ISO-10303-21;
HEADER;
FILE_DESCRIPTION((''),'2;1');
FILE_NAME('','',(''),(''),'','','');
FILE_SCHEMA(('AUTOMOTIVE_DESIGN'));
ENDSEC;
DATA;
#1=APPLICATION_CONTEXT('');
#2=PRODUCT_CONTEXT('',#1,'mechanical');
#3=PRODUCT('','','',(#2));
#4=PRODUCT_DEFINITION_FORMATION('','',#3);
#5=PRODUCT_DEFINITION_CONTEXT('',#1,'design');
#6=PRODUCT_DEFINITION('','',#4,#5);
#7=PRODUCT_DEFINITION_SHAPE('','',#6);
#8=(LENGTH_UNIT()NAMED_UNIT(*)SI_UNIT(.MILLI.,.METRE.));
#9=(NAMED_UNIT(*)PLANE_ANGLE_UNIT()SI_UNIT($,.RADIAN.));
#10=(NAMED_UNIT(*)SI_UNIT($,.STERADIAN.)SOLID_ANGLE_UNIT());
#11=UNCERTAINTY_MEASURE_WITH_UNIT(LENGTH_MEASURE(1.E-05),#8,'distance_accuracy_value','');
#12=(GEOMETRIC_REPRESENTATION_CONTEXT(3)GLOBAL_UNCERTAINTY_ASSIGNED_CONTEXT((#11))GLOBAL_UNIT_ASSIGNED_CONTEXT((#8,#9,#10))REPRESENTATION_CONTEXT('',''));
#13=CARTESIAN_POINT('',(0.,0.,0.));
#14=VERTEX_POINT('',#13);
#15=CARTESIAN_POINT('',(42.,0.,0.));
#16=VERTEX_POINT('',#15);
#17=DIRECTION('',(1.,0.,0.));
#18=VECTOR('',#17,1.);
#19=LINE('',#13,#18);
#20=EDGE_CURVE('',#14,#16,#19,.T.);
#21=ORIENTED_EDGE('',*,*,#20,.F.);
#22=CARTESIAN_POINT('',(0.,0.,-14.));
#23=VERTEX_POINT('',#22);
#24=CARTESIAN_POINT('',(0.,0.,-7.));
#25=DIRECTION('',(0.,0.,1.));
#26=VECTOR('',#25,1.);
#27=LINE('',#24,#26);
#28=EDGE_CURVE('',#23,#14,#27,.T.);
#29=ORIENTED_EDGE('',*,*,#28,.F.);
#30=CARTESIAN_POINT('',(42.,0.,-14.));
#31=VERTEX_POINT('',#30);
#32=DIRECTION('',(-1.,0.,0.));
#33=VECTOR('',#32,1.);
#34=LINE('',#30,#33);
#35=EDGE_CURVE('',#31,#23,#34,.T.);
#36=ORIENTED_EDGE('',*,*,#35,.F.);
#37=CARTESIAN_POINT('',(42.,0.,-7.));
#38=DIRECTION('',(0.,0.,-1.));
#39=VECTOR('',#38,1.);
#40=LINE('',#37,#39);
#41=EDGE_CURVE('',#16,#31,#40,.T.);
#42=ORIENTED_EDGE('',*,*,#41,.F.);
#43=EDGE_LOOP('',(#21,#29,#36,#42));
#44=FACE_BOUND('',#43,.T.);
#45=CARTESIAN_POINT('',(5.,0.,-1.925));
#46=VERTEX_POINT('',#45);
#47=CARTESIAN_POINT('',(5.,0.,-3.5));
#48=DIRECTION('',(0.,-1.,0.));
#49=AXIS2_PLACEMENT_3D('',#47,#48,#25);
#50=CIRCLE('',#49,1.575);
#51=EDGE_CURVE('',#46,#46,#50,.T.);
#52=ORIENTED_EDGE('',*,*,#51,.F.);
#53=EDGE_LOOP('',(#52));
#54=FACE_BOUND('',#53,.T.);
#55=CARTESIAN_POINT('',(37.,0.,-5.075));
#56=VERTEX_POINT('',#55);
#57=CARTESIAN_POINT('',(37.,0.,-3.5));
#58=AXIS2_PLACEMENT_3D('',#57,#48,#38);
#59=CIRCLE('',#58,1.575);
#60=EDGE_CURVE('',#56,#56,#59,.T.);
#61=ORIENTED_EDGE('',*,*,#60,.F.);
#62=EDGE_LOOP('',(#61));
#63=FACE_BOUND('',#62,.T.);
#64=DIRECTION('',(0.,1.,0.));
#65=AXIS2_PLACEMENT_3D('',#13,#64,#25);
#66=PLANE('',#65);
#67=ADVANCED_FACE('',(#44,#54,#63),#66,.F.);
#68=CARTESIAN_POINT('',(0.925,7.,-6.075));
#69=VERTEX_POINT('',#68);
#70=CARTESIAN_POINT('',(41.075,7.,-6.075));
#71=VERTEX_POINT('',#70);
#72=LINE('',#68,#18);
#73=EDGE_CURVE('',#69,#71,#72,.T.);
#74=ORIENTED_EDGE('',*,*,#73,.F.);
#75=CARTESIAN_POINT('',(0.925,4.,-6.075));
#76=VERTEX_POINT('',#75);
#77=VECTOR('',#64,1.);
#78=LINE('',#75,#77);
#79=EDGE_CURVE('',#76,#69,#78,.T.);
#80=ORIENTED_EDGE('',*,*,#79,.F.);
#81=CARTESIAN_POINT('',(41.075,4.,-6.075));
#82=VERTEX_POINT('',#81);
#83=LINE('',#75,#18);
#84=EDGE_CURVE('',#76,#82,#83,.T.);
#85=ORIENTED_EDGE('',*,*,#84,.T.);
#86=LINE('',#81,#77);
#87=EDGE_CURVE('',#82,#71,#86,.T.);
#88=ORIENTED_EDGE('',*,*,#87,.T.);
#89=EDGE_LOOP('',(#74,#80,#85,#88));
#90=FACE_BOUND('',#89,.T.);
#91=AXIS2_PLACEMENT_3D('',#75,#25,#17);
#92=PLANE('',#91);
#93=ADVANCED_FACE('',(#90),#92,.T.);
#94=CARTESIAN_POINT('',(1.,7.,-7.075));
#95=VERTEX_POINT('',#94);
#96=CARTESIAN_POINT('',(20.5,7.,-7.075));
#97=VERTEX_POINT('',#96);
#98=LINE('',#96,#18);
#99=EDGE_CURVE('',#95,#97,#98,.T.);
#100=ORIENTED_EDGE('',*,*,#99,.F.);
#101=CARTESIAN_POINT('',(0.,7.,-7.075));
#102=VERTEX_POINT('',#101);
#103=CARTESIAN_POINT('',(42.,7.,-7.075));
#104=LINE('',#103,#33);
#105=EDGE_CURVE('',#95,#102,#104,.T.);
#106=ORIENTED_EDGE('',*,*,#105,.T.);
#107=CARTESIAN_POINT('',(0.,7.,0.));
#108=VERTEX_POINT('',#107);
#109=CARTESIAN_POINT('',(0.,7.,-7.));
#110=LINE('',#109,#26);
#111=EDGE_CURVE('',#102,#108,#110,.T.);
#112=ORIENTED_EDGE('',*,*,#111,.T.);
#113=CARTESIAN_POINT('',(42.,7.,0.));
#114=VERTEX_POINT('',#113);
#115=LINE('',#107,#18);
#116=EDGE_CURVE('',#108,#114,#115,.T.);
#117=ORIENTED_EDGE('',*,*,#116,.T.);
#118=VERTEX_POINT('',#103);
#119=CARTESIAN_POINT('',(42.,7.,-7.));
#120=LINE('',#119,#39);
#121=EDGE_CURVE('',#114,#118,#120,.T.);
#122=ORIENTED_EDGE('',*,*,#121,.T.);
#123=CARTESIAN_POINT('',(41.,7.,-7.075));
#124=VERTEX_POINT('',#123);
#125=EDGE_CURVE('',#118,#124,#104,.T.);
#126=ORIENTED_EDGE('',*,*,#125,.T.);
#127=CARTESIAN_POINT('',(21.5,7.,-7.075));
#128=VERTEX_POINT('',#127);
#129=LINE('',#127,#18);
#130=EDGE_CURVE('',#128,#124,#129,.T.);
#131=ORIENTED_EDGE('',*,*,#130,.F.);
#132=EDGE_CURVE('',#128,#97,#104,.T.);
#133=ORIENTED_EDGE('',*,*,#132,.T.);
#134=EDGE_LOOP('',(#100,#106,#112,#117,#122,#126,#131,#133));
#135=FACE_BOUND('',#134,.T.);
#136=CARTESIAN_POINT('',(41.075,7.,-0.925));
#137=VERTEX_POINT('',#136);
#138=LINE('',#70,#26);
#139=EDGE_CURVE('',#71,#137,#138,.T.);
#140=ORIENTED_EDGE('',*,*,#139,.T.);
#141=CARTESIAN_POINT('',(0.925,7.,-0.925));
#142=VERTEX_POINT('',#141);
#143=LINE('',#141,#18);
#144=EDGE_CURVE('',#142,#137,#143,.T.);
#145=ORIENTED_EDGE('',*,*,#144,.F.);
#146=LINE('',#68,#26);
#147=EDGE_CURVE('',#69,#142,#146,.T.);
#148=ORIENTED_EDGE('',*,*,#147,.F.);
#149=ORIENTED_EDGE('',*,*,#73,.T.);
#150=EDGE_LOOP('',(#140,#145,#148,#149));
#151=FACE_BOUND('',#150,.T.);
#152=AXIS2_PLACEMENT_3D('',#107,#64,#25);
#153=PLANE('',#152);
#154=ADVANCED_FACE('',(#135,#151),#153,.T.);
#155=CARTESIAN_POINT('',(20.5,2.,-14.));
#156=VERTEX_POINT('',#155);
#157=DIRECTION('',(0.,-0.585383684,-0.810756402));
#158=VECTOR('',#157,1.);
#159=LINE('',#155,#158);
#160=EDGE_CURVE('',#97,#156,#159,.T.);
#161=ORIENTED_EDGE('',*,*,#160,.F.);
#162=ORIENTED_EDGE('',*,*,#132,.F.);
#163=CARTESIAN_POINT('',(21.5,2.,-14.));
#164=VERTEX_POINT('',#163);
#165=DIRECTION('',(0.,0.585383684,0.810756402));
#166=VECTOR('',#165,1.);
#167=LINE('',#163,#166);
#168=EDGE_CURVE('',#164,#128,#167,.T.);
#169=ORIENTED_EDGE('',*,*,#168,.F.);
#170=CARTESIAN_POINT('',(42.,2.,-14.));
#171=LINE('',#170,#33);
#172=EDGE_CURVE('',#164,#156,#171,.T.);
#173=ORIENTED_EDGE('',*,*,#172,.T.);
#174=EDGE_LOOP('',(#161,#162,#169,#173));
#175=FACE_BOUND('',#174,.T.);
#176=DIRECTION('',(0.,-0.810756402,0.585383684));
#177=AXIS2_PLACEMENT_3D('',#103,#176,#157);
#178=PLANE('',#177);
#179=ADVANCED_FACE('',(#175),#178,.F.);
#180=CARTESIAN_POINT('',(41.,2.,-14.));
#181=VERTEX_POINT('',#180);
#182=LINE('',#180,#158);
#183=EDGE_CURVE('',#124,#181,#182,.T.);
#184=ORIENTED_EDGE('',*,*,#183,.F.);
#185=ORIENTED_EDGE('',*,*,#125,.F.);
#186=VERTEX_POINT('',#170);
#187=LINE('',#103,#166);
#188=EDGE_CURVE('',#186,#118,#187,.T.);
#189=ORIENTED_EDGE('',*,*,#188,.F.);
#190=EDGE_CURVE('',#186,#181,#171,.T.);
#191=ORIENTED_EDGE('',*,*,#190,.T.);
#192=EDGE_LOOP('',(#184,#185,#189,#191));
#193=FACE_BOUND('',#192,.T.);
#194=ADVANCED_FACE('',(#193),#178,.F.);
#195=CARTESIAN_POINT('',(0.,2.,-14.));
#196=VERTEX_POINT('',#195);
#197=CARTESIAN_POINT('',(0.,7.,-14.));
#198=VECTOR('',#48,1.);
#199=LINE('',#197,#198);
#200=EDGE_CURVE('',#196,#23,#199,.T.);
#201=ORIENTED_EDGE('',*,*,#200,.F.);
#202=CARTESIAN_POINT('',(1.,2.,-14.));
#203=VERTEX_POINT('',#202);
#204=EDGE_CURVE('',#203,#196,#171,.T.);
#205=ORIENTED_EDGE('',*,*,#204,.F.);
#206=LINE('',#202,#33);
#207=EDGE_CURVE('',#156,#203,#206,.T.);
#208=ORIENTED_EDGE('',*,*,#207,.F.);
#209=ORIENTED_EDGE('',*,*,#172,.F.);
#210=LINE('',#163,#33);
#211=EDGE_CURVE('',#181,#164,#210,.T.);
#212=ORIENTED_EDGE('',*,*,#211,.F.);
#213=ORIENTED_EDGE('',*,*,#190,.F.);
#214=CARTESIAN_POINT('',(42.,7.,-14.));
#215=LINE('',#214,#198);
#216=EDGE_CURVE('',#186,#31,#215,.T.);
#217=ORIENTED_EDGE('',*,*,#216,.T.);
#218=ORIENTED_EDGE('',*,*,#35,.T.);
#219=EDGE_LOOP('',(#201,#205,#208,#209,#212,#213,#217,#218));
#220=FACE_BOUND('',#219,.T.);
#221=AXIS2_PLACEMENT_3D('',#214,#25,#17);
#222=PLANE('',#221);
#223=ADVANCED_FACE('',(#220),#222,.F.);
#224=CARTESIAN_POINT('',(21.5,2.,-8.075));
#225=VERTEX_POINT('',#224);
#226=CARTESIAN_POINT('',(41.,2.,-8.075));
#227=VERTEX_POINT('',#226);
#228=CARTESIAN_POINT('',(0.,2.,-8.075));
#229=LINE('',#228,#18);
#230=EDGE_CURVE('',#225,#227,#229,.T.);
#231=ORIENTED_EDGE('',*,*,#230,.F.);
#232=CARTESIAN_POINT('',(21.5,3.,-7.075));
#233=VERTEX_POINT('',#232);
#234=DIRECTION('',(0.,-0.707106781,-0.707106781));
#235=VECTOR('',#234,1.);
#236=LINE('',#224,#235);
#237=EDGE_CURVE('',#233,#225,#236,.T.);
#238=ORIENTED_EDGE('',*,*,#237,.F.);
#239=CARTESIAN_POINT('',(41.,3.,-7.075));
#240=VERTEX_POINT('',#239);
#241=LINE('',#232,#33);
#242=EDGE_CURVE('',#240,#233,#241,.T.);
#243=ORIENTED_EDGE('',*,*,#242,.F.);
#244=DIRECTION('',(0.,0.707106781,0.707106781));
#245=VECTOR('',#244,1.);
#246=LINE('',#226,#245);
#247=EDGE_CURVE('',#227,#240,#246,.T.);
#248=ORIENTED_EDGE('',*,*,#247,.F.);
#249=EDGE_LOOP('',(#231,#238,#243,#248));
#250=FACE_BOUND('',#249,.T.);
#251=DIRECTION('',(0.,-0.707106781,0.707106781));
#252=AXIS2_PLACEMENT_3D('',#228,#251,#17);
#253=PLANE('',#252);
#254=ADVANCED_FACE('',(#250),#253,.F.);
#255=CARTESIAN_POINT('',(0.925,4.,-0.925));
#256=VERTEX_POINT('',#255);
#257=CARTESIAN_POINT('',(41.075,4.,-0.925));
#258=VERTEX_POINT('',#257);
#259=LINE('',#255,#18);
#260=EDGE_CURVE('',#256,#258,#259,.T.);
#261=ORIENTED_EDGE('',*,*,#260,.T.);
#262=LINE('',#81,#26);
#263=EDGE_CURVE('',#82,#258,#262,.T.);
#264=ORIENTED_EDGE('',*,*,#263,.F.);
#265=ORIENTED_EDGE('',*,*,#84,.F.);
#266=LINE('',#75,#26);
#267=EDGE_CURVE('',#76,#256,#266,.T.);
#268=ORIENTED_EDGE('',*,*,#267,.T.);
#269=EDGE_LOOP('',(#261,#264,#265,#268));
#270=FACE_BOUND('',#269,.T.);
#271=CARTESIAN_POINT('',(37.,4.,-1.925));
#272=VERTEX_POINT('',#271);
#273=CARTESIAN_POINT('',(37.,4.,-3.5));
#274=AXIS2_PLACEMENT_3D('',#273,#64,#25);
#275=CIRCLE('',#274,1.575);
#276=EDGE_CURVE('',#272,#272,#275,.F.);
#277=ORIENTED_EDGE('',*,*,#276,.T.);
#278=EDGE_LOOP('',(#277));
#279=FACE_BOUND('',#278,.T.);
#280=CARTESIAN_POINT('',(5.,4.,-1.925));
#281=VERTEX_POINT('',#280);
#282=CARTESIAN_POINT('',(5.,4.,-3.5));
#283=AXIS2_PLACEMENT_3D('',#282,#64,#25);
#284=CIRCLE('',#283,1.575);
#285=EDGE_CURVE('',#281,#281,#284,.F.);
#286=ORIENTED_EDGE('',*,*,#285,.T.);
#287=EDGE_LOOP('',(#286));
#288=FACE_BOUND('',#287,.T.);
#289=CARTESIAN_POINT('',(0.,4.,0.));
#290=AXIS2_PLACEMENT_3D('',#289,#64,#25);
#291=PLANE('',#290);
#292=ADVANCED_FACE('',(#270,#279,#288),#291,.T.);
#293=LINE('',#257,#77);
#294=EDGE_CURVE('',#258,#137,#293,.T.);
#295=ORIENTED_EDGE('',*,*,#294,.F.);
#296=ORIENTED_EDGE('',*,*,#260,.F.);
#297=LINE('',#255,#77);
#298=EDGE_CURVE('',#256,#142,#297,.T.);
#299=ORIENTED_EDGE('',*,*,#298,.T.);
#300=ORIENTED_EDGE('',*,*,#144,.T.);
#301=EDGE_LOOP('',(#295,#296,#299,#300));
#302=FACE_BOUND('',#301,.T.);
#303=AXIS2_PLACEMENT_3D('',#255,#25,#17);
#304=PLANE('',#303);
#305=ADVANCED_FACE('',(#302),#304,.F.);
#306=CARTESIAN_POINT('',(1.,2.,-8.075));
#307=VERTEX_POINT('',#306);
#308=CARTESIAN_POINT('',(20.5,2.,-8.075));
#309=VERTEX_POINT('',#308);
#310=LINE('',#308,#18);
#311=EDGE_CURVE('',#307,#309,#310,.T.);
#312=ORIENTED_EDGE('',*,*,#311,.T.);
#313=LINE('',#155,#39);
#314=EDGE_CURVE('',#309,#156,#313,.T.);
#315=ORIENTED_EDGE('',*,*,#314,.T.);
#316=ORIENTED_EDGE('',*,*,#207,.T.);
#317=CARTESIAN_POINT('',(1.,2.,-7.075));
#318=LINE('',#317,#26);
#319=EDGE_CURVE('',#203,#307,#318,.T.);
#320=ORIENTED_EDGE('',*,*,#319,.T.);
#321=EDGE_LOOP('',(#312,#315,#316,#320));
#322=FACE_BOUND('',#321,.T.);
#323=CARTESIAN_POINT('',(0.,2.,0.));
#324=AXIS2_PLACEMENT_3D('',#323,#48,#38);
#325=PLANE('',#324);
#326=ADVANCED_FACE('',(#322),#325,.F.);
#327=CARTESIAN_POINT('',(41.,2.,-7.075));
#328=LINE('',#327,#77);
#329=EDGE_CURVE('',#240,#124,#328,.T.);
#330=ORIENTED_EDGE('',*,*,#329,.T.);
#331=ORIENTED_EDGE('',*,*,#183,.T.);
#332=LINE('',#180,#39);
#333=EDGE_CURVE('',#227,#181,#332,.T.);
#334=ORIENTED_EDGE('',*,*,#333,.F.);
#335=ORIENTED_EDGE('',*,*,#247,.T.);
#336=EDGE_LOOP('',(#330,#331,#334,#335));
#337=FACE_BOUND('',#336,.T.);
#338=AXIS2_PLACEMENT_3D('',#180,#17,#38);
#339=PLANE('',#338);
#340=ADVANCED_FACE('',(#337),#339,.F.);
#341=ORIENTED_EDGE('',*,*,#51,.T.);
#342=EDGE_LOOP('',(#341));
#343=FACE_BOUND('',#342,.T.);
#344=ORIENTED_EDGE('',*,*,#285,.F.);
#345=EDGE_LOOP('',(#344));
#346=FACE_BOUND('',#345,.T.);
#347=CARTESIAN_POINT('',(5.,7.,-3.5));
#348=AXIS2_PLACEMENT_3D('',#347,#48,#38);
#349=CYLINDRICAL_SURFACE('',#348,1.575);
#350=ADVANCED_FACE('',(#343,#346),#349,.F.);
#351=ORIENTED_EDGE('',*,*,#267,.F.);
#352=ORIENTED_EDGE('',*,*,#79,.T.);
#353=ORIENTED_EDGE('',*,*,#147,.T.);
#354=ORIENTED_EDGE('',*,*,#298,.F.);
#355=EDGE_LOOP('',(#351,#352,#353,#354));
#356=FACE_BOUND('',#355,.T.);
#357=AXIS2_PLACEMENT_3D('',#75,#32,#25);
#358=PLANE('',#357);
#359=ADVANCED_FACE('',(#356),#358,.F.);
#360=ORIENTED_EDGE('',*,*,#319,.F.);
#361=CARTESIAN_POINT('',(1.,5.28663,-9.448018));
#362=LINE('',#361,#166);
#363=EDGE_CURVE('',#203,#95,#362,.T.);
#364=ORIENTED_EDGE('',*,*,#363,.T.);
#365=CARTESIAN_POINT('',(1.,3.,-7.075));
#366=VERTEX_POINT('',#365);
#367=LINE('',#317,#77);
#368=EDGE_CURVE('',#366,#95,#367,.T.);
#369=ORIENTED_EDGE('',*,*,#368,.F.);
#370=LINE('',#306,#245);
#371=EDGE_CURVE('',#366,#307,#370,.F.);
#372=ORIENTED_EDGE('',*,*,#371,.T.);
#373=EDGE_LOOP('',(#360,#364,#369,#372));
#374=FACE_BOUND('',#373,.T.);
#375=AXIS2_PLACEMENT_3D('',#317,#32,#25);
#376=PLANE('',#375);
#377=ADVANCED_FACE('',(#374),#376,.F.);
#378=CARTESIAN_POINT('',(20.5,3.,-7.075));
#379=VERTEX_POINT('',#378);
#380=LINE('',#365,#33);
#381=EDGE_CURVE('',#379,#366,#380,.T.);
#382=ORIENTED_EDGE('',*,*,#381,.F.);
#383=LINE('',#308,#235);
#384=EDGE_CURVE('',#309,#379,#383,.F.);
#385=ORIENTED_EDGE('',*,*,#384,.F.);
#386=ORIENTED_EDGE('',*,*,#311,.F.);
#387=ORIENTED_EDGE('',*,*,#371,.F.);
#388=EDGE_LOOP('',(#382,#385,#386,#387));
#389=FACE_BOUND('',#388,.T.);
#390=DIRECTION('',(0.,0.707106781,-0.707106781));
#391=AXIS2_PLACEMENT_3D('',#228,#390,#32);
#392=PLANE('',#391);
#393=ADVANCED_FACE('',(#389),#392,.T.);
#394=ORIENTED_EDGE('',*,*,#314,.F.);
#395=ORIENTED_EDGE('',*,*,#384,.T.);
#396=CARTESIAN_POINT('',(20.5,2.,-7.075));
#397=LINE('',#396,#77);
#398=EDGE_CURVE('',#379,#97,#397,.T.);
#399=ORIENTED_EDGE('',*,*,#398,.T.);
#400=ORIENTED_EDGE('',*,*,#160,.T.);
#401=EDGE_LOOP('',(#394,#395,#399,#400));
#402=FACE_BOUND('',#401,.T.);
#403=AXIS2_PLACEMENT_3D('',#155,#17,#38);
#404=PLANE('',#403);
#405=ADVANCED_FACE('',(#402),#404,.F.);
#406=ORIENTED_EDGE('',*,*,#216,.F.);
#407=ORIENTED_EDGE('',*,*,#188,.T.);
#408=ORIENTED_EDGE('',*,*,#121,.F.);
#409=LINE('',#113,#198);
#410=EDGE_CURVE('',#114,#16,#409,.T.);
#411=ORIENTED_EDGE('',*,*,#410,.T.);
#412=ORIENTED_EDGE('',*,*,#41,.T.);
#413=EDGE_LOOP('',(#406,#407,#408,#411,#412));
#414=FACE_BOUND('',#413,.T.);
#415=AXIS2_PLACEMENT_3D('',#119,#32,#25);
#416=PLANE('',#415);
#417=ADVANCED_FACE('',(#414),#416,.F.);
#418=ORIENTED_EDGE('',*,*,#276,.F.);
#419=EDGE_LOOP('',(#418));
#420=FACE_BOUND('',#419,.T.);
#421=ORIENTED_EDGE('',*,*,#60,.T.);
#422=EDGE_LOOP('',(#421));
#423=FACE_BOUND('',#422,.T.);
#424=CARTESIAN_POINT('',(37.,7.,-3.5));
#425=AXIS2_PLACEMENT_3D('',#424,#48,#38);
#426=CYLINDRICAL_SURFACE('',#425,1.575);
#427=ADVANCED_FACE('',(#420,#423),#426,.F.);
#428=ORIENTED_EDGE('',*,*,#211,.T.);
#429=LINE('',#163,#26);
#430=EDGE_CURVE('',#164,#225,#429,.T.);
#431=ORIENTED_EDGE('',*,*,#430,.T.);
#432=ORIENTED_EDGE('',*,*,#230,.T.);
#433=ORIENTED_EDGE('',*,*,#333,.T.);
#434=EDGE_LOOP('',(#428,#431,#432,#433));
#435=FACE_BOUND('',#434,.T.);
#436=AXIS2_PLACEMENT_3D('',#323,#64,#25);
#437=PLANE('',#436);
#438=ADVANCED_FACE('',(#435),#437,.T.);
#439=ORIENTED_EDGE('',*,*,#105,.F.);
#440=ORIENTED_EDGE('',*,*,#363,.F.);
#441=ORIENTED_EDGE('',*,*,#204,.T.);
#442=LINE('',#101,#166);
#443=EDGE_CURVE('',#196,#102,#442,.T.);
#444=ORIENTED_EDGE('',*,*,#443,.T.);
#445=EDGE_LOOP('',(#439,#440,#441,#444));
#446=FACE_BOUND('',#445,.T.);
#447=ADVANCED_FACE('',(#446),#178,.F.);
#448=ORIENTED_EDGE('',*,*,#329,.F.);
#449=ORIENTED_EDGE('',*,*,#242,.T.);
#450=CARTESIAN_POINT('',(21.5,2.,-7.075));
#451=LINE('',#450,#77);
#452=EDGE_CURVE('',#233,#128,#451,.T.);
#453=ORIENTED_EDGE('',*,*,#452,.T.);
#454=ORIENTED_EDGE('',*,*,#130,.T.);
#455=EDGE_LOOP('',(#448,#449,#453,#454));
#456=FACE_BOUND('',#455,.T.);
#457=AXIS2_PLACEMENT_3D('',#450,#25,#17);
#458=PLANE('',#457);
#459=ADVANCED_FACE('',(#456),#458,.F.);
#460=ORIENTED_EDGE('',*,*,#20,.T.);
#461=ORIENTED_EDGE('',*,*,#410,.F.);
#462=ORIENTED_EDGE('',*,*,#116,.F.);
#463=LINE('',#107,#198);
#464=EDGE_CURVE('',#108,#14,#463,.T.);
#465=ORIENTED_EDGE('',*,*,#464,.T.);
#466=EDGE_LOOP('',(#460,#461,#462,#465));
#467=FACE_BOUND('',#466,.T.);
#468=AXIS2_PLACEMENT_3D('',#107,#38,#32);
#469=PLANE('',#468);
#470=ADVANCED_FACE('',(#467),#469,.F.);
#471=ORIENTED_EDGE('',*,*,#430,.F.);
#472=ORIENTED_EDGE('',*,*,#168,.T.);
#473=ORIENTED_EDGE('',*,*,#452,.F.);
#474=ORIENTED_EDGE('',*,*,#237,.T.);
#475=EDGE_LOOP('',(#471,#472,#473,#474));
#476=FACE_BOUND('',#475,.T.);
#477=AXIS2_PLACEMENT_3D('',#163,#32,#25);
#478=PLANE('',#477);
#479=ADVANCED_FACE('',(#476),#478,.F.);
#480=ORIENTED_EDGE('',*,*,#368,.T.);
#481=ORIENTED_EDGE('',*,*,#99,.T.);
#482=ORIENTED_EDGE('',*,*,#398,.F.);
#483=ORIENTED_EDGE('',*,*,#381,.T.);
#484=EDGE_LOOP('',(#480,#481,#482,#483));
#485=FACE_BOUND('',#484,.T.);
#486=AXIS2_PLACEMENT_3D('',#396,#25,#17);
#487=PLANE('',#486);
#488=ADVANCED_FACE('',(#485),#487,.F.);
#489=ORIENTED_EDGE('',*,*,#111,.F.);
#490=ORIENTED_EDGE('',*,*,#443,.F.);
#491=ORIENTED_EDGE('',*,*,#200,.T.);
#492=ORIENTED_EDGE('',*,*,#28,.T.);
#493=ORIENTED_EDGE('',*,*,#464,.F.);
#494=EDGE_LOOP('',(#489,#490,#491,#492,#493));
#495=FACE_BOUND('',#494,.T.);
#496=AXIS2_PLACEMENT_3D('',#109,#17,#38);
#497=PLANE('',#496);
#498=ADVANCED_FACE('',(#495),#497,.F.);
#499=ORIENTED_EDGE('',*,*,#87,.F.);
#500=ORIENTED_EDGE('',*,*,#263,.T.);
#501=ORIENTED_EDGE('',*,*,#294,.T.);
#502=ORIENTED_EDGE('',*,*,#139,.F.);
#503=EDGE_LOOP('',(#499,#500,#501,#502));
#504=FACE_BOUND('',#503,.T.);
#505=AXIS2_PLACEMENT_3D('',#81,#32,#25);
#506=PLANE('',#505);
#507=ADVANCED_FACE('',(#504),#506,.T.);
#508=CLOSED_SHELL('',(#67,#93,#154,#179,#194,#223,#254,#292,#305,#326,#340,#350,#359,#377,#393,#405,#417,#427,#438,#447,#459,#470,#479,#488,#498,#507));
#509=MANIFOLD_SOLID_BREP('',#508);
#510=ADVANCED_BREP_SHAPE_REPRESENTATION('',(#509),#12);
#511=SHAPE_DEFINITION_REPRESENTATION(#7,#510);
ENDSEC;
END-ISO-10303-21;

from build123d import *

# Parameters (mm, degrees)
SKETCH1_W               = 42
SKETCH1_H               = 7
RISER_DEPTH             = 7
SKETCH2_R               = 1.575
MOUNTING_HOLES_DEPTH    = 44.150898021
SKETCH3_W               = 40.15
SKETCH3_H               = 5.15
RECESS_DEPTH            = 3
SKETCH4_W               = 42
SKETCH4_H               = 7
FLANGE_DEPTH            = 7
SKETCH5_W               = 19.5
SKETCH5_H               = 6.925
FLANGE_CUTOUT_DEPTH     = 5
ANGLE_CUTOUT_DEPTH      = 27.594172294
ANGLE_CUTOUT_DEPTH_BACK = 27.594172294
FLANGE_CHAMFER_1_SIZE   = 1
FLANGE_CHAMFER_2_SIZE   = 1


with BuildPart() as part:
    # Sketch1 → Riser (new body)
    with BuildSketch(Plane(origin=(0, 0, 0), x_dir=(1, 0, 0), z_dir=(0, 1, 0))):
        with Locations((21, 3.5)):
            Rectangle(SKETCH1_W, SKETCH1_H)
    extrude(amount=RISER_DEPTH)

    # Sketch2 → Mounting Holes (cut, through all)
    with BuildSketch(Plane.XZ):
        with Locations(Location((5, -3.5, 0), (0, 0, 90))):
            Circle(SKETCH2_R)
        with Locations(Location((37, -3.5, 0), (0, 0, 270))):
            Circle(SKETCH2_R)
    extrude(amount=-MOUNTING_HOLES_DEPTH, mode=Mode.SUBTRACT)

    # Sketch3 → Recess (cut)
    with BuildSketch(Plane(origin=(0, 7, 0), x_dir=(1, 0, 0), z_dir=(0, 1, 0))):
        with Locations((21, 3.5)):
            Rectangle(SKETCH3_W, SKETCH3_H)
    extrude(amount=-RECESS_DEPTH, mode=Mode.SUBTRACT)

    # Sketch4 → Flange (add)
    with BuildSketch(Plane(origin=(0, 0, 0), x_dir=(1, 0, 0), z_dir=(0, 1, 0))):
        with Locations((21, 10.5)):
            Rectangle(SKETCH4_W, SKETCH4_H)
    extrude(amount=FLANGE_DEPTH)

    # Sketch5 → Flange Cutout (cut)
    with BuildSketch(Plane(origin=(0, 7, 0), x_dir=(1, 0, 0), z_dir=(0, 1, 0))):
        with Locations((10.75, 10.5375)):
            Rectangle(SKETCH5_W, SKETCH5_H)
        with Locations((31.25, 10.5375)):
            Rectangle(SKETCH5_W, SKETCH5_H)
    extrude(amount=-FLANGE_CUTOUT_DEPTH, mode=Mode.SUBTRACT)

    # Sketch7 → Angle Cutout (cut, two sides: drawn at the far end of the back side and taken through both)
    with BuildSketch(Plane.ZY.offset(-20.5).offset(-ANGLE_CUTOUT_DEPTH_BACK)):
        Polygon((-7.075, 7), (-14, 2), (-14, 7), align=None)
    extrude(amount=ANGLE_CUTOUT_DEPTH + ANGLE_CUTOUT_DEPTH_BACK, mode=Mode.SUBTRACT)

    # Flange Chamfer 1
    flange_chamfer_1_edges = [part.edges().sort_by_distance(p)[0] for p in [
        (10.75, 2, -7.075),
    ]]
    chamfer(flange_chamfer_1_edges, length=FLANGE_CHAMFER_1_SIZE)

    # Flange Chamfer 2
    flange_chamfer_2_edges = [part.edges().sort_by_distance(p)[0] for p in [
        (31.25, 2, -7.075),
    ]]
    chamfer(flange_chamfer_2_edges, length=FLANGE_CHAMFER_2_SIZE)


solid = part.part
